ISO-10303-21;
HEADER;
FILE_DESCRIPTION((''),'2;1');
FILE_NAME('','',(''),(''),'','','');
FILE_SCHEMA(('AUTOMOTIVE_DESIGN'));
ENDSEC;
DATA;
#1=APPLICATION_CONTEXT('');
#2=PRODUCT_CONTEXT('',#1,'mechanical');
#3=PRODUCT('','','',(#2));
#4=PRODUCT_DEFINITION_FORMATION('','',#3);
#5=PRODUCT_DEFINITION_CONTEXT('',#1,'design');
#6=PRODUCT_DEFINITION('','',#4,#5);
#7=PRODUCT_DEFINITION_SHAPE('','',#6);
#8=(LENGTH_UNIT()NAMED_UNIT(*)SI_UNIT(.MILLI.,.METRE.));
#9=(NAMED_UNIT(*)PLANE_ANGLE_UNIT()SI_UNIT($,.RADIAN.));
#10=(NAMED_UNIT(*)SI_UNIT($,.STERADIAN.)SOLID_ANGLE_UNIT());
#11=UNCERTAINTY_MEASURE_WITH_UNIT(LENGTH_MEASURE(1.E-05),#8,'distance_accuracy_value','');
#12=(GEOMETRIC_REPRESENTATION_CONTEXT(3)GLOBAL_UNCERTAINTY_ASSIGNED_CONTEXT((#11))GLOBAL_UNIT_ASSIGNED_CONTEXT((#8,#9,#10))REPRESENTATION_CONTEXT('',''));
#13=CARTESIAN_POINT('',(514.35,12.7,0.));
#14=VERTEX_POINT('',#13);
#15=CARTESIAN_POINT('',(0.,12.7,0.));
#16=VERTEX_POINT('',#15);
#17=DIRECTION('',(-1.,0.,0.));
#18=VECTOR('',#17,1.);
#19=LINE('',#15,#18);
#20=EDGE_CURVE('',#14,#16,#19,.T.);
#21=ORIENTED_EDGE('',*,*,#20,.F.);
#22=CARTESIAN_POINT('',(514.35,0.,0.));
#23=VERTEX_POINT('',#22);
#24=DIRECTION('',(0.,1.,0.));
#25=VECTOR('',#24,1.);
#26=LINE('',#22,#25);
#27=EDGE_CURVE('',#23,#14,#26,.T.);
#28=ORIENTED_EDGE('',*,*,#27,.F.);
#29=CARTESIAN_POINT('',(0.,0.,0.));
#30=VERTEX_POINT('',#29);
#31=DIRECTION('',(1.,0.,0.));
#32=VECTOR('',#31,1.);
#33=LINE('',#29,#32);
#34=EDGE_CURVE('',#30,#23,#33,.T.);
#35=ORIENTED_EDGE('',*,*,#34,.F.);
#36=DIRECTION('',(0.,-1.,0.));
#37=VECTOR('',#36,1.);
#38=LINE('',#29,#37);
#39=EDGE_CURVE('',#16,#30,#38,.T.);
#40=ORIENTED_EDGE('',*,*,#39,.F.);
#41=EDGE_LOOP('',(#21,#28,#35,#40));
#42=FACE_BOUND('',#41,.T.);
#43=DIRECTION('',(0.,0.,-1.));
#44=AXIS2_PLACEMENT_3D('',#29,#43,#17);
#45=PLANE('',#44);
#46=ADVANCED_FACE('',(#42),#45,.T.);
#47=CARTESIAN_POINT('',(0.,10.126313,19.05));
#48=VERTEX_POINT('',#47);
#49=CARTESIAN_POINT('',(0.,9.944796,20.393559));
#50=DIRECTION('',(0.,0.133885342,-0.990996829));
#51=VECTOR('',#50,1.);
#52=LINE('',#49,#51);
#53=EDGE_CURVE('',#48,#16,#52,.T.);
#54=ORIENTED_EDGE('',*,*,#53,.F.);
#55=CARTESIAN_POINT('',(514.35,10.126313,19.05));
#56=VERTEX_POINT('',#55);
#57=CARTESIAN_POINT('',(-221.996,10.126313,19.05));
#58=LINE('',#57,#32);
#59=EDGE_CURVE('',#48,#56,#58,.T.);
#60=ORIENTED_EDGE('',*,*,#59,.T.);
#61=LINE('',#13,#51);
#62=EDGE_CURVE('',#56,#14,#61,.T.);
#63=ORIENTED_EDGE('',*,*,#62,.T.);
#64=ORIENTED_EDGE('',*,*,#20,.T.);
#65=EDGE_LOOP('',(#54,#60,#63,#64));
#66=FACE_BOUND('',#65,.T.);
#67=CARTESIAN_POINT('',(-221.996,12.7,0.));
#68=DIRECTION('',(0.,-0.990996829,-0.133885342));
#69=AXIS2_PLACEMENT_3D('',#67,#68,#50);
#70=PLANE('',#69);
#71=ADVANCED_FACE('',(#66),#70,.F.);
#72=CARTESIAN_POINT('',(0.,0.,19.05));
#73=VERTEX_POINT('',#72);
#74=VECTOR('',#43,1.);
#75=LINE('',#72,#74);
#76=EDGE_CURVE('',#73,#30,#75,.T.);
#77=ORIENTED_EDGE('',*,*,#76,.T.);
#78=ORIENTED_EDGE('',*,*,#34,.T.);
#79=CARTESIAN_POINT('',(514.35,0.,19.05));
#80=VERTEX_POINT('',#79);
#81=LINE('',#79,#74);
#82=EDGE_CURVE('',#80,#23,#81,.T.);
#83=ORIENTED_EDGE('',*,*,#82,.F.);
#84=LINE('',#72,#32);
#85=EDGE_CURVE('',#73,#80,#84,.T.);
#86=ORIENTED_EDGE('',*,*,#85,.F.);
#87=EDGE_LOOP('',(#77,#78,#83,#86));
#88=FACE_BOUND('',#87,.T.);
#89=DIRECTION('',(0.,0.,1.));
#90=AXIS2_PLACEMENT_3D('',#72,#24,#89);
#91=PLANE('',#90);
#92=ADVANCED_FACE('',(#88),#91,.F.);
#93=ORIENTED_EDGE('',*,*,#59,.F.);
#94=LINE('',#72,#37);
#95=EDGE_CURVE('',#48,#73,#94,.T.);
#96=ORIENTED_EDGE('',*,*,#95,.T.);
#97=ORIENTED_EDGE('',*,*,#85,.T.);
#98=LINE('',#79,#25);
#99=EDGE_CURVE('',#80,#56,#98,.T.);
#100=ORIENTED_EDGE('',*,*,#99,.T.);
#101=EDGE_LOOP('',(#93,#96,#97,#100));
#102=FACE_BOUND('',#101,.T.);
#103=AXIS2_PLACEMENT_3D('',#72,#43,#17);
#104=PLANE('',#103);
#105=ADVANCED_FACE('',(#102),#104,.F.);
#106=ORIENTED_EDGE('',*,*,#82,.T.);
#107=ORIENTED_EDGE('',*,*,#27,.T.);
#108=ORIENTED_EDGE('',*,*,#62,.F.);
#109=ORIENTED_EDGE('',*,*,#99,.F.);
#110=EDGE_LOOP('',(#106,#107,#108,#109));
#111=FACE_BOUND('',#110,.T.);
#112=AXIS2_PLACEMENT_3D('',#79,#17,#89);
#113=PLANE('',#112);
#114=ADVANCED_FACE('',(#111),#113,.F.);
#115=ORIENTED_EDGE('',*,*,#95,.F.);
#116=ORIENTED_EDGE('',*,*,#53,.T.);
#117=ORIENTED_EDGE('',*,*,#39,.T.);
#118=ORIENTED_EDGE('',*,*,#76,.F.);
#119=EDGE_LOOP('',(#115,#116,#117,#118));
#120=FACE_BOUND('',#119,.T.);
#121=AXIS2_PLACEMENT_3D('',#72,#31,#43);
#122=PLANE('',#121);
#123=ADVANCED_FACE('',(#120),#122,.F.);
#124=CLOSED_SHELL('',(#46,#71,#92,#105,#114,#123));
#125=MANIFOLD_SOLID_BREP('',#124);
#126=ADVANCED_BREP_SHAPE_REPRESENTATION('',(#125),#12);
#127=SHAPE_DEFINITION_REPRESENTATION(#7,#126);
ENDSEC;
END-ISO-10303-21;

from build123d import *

# Parameters (mm, degrees)
SKETCH1_W           = 514.35
SKETCH1_H           = 12.7
BOSS_EXTRUDE1_DEPTH = 19.05
CUT_EXTRUDE1_DEPTH  = 736.346


with BuildPart() as part:
    # Sketch1 → Boss-Extrude1 (new body)
    with BuildSketch(Plane.XY):
        with Locations((257.175, 6.35)):
            Rectangle(SKETCH1_W, SKETCH1_H)
    extrude(amount=BOSS_EXTRUDE1_DEPTH)

    # Sketch2 → Cut-Extrude1 (cut)
    with BuildSketch(Plane(origin=(514.35, 0, 0), x_dir=(0, 0, -1), z_dir=(1, 0, 0))):
        Polygon((0, 12.7), (-19.05, 10.126312897), (-19.05, 12.7), align=None)
    extrude(amount=-CUT_EXTRUDE1_DEPTH, mode=Mode.SUBTRACT)


solid = part.part
